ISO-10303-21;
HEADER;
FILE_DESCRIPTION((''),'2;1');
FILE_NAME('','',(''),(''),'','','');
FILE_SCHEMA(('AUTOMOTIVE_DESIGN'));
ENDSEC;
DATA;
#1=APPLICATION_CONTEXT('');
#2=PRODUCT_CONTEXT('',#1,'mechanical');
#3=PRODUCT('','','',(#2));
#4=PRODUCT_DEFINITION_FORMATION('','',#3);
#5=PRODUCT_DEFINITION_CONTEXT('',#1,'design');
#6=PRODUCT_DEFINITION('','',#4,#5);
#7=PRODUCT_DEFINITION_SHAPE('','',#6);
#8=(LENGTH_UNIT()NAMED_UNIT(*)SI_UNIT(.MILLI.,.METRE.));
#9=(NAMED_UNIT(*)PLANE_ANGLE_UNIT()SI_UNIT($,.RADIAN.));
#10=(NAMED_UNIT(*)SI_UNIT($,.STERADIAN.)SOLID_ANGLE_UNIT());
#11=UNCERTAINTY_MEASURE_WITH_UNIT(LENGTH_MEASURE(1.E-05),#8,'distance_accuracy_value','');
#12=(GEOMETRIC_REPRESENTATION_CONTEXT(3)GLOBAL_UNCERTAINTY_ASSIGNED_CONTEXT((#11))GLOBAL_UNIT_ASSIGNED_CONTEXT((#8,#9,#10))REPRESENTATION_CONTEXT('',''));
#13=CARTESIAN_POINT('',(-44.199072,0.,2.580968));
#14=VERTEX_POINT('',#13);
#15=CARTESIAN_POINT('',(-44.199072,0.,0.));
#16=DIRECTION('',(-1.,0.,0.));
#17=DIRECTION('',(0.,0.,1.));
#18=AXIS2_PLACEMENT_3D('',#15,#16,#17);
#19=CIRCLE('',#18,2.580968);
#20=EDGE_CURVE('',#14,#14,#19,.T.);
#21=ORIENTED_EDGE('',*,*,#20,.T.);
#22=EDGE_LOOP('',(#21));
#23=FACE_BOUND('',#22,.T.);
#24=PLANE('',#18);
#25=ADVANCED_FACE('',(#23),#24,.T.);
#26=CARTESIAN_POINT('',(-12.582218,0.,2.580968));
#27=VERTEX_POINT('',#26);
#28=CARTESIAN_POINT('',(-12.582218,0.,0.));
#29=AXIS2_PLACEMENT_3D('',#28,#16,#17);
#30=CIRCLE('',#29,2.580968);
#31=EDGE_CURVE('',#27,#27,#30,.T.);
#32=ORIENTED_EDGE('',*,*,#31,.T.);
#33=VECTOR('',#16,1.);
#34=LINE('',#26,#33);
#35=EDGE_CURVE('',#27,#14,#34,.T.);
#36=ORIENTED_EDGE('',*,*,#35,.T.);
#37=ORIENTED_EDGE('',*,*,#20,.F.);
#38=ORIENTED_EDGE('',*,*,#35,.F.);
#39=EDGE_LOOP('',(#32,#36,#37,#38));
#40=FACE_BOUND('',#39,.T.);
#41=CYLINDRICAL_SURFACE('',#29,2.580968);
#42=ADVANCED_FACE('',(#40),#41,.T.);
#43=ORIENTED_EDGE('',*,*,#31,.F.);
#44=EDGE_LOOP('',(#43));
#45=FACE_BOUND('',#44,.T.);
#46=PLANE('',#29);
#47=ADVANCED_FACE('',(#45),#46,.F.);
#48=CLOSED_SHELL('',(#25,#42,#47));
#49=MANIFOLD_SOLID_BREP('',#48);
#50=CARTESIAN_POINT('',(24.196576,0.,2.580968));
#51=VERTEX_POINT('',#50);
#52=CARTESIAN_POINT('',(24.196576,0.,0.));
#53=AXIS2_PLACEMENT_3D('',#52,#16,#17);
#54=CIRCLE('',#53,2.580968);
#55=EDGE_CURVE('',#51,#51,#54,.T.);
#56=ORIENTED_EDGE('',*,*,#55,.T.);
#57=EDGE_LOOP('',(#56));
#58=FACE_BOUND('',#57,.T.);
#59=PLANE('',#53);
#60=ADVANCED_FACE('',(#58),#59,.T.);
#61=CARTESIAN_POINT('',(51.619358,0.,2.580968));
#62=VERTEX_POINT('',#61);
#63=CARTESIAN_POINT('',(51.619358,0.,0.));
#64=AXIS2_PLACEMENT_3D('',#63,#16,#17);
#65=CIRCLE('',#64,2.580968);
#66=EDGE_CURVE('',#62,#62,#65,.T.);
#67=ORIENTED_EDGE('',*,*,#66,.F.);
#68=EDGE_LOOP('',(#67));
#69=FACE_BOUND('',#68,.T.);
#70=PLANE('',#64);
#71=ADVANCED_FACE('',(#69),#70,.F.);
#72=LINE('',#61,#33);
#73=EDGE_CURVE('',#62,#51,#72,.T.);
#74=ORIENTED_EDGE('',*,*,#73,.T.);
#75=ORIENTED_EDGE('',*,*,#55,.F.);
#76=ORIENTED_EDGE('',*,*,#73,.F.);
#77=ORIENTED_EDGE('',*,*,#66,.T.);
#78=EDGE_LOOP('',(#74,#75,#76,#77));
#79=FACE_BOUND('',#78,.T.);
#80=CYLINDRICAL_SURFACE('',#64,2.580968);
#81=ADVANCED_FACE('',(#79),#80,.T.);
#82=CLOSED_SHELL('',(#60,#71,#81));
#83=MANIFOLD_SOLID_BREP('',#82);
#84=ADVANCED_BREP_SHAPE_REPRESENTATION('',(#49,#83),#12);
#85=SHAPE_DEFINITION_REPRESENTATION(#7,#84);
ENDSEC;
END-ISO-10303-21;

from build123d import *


with BuildPart() as f1:
    # F0 (on Front) → F1 (revolve)
    with BuildSketch(Plane.XZ):
        Polygon((-36.13355, 0), (-12.582218, 0), (-12.582218, 2.580968), (-44.199072, 2.580968), (-44.199072, 0), (-38.069274, 0), align=None)
        Polygon((24.196576, 2.580968), (24.196576, 0), (51.619358, 0), (51.619358, 2.580968), (46.457417, 2.580968), (44.844318, 2.580968), align=None)
    revolve(axis=Axis((-28.390645, 0, 0), (-1, 0, 0)))


solid = f1.part
